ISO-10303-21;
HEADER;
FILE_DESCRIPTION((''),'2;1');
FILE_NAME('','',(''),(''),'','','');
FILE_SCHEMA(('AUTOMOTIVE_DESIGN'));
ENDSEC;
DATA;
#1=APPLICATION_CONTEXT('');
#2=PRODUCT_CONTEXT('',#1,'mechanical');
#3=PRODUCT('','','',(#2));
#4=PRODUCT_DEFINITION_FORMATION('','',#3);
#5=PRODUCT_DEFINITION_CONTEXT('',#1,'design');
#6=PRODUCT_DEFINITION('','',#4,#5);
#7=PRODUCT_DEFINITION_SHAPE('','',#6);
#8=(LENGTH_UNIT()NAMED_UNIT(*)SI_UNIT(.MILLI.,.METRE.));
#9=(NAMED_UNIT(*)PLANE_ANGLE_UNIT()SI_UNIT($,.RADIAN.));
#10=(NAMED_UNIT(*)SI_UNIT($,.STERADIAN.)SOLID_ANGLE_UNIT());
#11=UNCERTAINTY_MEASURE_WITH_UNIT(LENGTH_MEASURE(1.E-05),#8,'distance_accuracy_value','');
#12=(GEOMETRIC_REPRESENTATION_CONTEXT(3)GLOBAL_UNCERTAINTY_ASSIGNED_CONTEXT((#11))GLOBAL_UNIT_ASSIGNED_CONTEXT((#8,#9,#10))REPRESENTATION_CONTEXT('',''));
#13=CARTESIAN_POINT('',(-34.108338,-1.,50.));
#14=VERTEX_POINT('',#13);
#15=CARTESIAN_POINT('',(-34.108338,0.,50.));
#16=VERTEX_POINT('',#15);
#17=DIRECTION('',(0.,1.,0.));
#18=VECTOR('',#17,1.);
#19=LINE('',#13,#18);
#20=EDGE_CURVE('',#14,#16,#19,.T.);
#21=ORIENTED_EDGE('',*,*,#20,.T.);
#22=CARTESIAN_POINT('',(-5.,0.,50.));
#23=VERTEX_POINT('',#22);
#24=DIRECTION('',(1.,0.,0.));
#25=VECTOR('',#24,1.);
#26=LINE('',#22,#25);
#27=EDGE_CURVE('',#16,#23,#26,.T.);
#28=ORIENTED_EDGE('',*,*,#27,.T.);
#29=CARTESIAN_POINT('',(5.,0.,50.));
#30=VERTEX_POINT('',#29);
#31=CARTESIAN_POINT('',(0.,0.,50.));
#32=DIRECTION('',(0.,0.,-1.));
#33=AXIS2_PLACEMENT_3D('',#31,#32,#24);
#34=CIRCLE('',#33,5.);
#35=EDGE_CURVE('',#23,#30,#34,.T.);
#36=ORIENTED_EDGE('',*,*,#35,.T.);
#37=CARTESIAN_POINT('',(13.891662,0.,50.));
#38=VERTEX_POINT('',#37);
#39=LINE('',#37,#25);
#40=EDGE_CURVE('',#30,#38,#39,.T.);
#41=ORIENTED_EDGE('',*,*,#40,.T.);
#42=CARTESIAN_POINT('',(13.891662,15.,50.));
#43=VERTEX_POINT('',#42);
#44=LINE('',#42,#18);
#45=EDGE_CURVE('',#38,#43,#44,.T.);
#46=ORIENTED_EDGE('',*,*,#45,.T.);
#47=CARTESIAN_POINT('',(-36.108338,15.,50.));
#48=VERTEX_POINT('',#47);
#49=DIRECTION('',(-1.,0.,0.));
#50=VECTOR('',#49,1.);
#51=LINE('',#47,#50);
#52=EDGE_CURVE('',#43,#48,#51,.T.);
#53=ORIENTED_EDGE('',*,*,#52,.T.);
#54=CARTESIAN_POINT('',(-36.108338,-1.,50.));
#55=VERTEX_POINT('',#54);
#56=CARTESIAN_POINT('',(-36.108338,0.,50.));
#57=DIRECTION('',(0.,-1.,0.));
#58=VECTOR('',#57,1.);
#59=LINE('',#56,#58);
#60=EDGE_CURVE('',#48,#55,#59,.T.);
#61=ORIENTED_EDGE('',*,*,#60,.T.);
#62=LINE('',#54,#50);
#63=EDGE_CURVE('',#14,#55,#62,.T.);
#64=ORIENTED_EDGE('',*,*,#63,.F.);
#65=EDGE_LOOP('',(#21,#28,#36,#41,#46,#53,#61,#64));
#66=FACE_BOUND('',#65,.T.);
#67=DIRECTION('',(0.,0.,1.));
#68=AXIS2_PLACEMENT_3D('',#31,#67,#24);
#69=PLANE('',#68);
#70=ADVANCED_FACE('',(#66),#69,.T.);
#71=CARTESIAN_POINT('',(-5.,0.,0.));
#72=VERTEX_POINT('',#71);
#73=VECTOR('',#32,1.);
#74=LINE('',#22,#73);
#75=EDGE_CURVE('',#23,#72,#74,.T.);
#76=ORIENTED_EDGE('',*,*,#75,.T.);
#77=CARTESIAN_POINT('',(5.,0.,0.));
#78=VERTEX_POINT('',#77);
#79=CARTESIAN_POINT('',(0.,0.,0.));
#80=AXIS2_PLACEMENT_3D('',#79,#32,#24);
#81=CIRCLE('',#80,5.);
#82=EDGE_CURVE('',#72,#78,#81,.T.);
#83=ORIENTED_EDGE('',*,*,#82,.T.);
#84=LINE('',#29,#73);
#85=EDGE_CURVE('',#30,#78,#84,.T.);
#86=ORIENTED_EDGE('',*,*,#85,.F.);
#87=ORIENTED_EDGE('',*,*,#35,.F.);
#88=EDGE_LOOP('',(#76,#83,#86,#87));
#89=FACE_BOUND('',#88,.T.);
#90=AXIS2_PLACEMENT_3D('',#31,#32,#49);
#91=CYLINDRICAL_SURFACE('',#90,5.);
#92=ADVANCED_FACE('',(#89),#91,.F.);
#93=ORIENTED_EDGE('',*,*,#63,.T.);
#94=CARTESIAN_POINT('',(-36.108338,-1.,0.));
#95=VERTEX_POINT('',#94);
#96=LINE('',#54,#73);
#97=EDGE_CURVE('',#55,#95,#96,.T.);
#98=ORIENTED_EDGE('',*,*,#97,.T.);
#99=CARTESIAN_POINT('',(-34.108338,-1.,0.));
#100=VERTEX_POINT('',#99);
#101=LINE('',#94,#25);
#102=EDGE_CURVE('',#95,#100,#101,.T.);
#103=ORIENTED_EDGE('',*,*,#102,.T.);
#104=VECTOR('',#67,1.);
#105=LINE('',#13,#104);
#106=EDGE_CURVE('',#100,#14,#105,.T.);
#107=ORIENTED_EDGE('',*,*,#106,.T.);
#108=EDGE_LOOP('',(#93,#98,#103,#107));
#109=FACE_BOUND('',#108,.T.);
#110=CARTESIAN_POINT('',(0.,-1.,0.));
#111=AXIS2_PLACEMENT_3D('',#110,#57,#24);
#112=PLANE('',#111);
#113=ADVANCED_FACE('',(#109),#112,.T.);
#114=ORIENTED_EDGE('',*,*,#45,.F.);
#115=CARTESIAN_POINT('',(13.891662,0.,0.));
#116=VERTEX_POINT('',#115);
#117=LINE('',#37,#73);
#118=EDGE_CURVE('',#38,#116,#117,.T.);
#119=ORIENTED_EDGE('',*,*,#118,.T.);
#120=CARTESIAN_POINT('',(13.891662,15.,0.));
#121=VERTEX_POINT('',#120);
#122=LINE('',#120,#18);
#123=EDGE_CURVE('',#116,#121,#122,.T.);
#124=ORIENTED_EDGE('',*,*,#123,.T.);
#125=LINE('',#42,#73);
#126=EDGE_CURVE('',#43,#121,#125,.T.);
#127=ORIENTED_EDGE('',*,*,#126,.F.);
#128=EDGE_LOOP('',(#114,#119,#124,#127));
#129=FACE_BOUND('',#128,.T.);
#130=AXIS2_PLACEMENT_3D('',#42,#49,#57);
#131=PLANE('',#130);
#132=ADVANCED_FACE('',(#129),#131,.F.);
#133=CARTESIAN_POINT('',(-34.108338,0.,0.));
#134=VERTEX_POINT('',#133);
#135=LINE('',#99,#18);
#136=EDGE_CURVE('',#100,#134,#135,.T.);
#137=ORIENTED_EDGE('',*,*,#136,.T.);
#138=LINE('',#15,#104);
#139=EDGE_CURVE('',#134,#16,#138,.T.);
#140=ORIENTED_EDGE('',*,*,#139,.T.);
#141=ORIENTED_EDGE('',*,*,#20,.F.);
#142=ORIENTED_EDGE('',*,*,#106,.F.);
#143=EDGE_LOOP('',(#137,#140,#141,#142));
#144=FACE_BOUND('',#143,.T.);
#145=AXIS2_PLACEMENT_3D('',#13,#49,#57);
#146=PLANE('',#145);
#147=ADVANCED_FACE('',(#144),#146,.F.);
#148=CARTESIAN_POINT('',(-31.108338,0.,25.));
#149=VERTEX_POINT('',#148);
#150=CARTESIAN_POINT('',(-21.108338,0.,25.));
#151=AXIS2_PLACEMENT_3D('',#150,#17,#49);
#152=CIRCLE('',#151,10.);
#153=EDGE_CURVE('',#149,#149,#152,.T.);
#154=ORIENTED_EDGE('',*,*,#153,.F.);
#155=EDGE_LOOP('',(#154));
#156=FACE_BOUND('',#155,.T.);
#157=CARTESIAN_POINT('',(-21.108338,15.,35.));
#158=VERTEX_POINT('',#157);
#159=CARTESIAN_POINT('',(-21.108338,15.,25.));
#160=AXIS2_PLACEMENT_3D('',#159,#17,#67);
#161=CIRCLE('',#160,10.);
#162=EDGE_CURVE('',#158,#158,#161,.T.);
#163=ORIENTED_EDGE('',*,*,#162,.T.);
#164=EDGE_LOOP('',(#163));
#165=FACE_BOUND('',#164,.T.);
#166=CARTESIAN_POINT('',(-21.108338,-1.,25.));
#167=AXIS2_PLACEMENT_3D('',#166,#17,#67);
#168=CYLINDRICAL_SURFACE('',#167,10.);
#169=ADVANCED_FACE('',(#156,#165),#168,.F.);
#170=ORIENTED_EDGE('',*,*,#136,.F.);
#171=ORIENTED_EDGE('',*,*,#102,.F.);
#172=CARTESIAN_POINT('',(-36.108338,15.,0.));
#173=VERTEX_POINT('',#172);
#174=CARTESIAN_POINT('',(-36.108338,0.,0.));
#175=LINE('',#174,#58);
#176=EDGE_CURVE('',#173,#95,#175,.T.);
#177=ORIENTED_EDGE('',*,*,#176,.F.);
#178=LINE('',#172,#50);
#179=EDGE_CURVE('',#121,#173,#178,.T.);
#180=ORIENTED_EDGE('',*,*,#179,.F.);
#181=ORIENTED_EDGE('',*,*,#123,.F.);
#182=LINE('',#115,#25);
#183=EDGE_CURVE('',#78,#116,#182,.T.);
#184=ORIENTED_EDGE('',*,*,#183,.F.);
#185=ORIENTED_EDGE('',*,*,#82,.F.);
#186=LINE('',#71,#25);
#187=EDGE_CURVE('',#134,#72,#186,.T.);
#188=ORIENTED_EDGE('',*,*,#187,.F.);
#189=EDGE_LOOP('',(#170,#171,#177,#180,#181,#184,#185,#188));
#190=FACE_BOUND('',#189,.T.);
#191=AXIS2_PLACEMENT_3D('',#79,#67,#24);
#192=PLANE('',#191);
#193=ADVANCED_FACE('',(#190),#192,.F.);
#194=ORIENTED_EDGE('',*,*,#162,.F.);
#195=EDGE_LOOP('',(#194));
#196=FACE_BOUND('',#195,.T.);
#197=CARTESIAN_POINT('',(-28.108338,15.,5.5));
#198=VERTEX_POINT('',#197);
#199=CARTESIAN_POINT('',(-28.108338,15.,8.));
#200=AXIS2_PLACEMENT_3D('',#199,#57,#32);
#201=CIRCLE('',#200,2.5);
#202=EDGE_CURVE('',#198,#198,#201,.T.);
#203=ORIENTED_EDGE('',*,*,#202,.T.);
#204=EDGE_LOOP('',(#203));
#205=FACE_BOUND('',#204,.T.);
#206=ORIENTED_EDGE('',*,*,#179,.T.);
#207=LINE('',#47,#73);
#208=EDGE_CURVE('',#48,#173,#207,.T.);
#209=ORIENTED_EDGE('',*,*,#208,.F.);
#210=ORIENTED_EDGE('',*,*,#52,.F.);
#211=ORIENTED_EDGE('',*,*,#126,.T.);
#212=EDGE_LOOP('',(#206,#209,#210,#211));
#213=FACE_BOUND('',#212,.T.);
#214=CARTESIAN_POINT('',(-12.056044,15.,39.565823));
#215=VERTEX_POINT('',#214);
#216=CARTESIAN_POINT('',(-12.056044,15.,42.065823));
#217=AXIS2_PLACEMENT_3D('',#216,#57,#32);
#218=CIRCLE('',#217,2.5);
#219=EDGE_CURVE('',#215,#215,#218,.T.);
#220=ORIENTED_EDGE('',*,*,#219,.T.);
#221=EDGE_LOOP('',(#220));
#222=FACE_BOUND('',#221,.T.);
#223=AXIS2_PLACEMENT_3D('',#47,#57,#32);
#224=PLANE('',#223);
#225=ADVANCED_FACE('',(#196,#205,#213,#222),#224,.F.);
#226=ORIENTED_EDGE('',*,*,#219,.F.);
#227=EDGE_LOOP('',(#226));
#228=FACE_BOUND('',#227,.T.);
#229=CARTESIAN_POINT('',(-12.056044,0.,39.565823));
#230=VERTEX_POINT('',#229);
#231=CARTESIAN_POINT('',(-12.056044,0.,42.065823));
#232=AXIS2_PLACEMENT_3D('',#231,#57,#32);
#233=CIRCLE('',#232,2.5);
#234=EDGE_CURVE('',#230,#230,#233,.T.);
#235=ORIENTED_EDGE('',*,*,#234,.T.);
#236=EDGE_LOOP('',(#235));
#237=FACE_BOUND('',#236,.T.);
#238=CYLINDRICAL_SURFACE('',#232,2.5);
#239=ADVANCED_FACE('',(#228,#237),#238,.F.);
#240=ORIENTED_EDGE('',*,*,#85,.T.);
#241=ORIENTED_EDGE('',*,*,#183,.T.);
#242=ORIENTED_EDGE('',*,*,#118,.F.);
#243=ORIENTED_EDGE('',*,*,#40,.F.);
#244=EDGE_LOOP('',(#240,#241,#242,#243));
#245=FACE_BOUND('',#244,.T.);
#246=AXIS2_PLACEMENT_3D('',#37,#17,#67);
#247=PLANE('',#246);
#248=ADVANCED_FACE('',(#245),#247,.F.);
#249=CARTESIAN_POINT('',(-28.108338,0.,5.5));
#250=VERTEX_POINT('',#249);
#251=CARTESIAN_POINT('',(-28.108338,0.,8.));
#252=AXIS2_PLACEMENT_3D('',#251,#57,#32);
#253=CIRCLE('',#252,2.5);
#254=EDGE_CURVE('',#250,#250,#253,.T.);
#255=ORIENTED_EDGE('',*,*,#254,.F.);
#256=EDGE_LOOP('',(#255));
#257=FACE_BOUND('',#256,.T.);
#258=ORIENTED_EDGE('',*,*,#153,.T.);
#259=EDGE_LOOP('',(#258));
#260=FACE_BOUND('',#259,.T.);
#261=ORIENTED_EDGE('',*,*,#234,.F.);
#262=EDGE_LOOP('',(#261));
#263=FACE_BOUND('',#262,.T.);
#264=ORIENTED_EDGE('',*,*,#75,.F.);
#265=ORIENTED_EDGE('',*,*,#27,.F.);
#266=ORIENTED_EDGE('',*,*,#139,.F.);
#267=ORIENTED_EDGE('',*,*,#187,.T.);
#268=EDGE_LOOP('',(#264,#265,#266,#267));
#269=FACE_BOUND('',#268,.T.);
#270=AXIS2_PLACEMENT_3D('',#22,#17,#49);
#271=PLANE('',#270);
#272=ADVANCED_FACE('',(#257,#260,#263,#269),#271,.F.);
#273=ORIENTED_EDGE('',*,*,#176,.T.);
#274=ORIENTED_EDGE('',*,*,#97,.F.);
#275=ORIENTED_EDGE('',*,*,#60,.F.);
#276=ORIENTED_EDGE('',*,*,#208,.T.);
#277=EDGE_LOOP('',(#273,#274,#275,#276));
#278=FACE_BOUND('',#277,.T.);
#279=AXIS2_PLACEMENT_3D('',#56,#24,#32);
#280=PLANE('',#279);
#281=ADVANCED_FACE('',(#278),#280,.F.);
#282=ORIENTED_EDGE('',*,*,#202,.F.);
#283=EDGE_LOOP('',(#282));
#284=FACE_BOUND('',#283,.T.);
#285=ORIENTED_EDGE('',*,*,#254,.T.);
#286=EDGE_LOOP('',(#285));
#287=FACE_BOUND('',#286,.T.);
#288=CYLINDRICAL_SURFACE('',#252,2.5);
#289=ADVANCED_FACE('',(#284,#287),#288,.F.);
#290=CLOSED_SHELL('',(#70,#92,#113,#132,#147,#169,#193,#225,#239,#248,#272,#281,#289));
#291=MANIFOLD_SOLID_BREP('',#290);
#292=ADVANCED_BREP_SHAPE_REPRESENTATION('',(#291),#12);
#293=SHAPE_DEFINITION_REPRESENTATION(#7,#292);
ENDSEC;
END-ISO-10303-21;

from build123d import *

# Parameters (mm, degrees)
BOSS_EXTRU_1_DEPTH      = 50
TROU_TARAUD_M61_D       = 5
ESQUISSE4_W             = 2
ESQUISSE4_H             = 50
BOSS_EXTRU_2_DEPTH      = 1
ESQUISSE5_R             = 10
ENL_V_MAT_EXTRU_1_DEPTH = 64.716654463


with BuildPart() as part:
    # Esquisse1 → Boss.-Extru.1 (new body)
    with BuildSketch(Plane.XY):
        with BuildLine():
            Line((-36.108337762, 0), (-36.108337762, 15))
            Line((-36.108337762, 15), (13.891662238, 15))
            Line((13.891662238, 15), (13.891662238, 0))
            Line((13.891662238, 0), (5, 0))
            ThreePointArc((5, 0), (0, 5), (-5, 0))
            Line((-5, 0), (-36.108337762, 0))
        make_face()
    extrude(amount=BOSS_EXTRU_1_DEPTH)

    # Trou taraudé M61 (through all)
    with Locations(Plane(origin=(0, 0, 0), x_dir=(-1, 0, 0), z_dir=(0, -1, 0))):
        with Locations((12.056043545, -42.065822787), (28.108337762, -8)):
            Hole(TROU_TARAUD_M61_D / 2)

    # Esquisse4 → Boss.-Extru.2 (add)
    with BuildSketch(Plane.XZ):
        with Locations((-35.108337762, 25)):
            Rectangle(ESQUISSE4_W, ESQUISSE4_H)
    extrude(amount=BOSS_EXTRU_2_DEPTH)

    # Esquisse5 → Enlèv. mat.-Extru.1 (cut, through all)
    with BuildSketch(Plane(origin=(0, 15, 0), x_dir=(1, 0, 0), z_dir=(0, 1, 0))):
        with Locations(Location((-21.108337762, -25, 0), (0, 0, 270))):
            Circle(ESQUISSE5_R)
    extrude(amount=-ENL_V_MAT_EXTRU_1_DEPTH, mode=Mode.SUBTRACT)


solid = part.part
